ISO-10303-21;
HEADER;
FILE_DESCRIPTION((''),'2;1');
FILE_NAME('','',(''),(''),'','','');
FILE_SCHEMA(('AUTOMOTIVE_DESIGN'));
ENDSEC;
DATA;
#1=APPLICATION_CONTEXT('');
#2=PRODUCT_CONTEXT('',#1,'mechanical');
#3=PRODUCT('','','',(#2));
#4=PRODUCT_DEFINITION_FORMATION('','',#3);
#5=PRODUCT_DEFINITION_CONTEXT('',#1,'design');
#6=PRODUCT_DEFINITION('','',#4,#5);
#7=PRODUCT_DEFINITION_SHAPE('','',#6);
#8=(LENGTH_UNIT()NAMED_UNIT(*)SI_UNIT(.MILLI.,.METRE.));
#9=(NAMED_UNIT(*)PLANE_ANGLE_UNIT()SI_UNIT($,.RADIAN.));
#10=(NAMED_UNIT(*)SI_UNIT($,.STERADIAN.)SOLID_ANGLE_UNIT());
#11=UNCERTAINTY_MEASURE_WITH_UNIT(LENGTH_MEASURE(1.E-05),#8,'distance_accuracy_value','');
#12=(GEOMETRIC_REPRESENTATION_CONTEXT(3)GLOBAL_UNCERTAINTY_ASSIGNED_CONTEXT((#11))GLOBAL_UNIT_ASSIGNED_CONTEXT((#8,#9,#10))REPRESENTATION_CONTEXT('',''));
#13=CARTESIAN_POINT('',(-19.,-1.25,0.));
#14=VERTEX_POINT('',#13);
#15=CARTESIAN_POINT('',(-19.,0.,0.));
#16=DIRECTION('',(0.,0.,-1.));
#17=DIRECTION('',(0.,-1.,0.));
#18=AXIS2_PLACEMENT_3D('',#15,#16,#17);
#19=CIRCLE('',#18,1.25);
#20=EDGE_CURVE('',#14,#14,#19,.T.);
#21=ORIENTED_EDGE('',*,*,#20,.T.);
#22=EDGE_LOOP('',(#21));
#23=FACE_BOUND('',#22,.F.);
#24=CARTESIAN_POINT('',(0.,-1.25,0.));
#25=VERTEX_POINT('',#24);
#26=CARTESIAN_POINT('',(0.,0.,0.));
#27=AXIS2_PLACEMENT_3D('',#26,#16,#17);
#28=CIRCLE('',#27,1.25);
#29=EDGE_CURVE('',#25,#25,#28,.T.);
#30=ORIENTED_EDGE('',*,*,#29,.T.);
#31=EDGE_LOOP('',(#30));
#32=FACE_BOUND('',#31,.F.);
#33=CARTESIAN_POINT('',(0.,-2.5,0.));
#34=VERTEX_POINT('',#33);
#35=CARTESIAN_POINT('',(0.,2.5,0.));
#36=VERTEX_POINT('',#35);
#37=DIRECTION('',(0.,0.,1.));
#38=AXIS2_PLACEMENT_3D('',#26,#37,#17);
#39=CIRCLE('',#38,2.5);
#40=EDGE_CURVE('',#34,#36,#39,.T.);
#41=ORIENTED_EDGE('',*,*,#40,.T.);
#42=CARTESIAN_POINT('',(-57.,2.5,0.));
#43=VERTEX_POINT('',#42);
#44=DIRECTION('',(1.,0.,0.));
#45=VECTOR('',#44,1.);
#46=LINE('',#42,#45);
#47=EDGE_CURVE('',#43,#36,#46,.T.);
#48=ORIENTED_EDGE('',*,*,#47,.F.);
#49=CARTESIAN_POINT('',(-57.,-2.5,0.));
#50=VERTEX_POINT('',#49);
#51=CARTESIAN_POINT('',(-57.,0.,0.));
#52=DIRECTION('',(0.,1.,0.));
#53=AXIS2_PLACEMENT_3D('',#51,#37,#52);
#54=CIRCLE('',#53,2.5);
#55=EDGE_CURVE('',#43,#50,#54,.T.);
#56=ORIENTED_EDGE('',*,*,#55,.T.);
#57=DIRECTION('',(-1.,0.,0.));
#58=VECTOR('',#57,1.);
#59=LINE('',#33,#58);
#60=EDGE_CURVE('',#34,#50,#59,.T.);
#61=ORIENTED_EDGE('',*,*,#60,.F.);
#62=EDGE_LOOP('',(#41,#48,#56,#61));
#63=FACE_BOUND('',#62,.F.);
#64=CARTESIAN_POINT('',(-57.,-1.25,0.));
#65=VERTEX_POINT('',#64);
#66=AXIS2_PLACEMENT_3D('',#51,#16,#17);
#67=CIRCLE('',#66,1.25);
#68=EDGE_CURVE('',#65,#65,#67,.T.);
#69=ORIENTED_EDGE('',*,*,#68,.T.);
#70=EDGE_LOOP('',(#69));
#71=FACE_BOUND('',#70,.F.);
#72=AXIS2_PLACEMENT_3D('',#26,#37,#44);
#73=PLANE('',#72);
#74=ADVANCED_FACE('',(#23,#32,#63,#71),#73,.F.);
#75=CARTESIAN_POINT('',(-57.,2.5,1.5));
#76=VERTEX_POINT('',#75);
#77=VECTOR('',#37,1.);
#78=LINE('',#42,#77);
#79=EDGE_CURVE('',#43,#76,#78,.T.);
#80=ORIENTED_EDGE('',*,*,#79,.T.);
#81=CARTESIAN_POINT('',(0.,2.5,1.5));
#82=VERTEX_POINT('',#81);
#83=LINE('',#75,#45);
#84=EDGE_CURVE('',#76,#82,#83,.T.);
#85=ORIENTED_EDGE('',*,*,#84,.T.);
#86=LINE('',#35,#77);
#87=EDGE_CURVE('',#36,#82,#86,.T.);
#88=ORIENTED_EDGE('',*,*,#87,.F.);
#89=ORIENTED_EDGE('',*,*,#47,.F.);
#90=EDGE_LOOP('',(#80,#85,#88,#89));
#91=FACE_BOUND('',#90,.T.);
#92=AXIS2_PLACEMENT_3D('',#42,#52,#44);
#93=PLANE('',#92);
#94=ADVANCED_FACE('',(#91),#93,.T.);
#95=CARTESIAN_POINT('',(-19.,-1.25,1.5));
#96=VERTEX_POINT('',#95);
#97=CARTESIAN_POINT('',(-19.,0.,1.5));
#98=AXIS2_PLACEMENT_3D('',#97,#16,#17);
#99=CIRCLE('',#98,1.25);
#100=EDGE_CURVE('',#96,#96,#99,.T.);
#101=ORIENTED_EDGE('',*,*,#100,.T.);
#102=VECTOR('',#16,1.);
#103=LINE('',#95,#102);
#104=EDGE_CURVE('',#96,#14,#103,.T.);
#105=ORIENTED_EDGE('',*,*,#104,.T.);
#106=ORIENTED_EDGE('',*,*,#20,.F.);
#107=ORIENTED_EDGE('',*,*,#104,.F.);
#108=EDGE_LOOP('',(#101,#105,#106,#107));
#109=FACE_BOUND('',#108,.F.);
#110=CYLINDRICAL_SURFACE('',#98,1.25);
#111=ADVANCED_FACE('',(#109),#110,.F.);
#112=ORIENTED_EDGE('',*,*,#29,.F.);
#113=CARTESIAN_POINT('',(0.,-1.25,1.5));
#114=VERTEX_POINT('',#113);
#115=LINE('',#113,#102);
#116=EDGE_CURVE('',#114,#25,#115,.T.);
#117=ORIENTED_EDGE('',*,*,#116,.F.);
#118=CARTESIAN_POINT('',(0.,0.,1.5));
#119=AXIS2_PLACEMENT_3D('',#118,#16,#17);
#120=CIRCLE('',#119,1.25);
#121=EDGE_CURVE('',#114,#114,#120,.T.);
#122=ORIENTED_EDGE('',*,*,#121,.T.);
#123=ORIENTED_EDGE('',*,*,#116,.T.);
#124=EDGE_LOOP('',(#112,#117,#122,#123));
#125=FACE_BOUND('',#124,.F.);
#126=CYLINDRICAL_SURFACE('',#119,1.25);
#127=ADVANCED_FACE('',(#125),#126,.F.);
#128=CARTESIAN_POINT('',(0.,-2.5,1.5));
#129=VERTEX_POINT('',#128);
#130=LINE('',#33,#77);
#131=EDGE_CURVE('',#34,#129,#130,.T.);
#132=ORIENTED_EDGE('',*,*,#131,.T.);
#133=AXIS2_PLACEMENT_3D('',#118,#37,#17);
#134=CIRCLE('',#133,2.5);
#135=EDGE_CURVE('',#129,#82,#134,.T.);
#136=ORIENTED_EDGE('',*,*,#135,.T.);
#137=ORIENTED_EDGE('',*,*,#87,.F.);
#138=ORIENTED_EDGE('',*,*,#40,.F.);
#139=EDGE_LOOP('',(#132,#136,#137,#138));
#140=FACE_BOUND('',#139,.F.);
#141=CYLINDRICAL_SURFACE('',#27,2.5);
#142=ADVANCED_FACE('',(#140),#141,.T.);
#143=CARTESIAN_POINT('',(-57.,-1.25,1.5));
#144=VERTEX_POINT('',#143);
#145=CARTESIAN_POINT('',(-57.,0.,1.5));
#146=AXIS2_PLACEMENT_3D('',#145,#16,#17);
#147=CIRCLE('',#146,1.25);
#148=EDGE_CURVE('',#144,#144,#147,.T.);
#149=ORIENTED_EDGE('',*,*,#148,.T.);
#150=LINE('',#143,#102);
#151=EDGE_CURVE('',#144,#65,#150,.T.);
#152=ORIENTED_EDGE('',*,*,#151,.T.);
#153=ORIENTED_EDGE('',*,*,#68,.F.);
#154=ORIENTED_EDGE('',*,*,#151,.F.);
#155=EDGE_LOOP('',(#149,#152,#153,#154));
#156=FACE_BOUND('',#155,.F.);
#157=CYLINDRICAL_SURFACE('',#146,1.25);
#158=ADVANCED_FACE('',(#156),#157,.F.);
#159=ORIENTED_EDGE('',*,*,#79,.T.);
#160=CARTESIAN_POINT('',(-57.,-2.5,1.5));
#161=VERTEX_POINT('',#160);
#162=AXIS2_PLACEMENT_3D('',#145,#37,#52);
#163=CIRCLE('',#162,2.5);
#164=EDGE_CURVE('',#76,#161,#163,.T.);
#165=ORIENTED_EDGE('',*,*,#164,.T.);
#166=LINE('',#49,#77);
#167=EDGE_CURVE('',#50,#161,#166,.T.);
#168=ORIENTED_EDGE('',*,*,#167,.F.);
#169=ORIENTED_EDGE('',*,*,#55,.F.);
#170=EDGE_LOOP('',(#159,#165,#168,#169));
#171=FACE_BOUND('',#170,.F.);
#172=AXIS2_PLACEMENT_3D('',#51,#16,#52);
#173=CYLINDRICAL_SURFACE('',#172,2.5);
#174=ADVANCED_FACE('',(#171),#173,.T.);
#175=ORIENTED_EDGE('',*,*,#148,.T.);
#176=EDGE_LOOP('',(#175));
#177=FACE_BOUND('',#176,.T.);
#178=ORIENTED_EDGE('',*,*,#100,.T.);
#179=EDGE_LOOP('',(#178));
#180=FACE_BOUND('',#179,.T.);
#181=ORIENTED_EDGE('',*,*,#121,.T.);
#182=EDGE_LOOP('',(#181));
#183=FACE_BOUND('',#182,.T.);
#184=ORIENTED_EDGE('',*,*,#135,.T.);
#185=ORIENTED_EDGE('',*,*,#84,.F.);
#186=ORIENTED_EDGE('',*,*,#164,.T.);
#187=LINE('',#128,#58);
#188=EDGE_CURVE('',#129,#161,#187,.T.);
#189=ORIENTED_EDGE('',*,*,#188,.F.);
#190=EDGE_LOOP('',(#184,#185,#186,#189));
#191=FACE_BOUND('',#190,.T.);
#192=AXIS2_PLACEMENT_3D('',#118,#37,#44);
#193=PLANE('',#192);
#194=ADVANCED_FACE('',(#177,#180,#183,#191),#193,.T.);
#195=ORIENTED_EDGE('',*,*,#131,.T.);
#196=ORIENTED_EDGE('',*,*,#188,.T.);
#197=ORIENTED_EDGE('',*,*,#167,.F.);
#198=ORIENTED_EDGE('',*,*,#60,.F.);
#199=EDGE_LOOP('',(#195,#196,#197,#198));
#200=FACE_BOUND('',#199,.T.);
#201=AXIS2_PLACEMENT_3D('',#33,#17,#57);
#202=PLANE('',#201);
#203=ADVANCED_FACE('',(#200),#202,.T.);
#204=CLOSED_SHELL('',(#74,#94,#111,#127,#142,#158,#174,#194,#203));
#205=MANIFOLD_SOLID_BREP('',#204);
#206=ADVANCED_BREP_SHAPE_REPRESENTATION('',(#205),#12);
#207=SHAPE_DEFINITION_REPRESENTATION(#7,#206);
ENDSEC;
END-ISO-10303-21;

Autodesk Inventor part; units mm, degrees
ref_plane "YZ Plane" through (0, 0, 0) normal (1, 0, 0) x (0, 1, 0)
ref_plane "XZ Plane" through (0, 0, 0) normal (0, 1, 0) x (-1, 0, 0)
ref_plane "XY Plane" through (0, 0, 0) normal (0, 0, 1) x (1, 0, 0)
sketch "Sketch1" plane through (0, 0, 0) normal (0, 0, 1) x (1, 0, 0)
  arc A0 (0, -2.5) -> (0, 2.5) centre (0, 0) ccw
  arc A1 (-57, 2.5) -> (-57, -2.5) centre (-57, 0) ccw
  line L0 (-57, 2.5) -> (0, 2.5)
  line L1 (0, -2.5) -> (-57, -2.5)
  dimension "d0" = 2.5
  dimension "d1" = 2.5
  dimension "d2" = 57
extrude "Extrusion1" add sketch "Sketch1" along normal blind 1.5
sketch "Sketch2" plane through (0, 0, 1.5) normal (0, 0, 1) x (1, 0, 0)
  arc A0 (0, -2.5) -> (0, 2.5) centre (0, 0) ccw projected
  arc A1 (-57, 2.5) -> (-57, -2.5) centre (-57, 0) ccw projected
  point P0 (-19, 0)
  dimension "d5" = 38
  dimension "d6" = 19
hole "Hole1" at (-57, 0, 1.5) at (-19, 0, 1.5) at (0, 0, 1.5) direction (0, 0, -1) diameter 2.5 end through all
properties part number "31 - Lever" material "Steel AISI 1020 108 ANLD"
